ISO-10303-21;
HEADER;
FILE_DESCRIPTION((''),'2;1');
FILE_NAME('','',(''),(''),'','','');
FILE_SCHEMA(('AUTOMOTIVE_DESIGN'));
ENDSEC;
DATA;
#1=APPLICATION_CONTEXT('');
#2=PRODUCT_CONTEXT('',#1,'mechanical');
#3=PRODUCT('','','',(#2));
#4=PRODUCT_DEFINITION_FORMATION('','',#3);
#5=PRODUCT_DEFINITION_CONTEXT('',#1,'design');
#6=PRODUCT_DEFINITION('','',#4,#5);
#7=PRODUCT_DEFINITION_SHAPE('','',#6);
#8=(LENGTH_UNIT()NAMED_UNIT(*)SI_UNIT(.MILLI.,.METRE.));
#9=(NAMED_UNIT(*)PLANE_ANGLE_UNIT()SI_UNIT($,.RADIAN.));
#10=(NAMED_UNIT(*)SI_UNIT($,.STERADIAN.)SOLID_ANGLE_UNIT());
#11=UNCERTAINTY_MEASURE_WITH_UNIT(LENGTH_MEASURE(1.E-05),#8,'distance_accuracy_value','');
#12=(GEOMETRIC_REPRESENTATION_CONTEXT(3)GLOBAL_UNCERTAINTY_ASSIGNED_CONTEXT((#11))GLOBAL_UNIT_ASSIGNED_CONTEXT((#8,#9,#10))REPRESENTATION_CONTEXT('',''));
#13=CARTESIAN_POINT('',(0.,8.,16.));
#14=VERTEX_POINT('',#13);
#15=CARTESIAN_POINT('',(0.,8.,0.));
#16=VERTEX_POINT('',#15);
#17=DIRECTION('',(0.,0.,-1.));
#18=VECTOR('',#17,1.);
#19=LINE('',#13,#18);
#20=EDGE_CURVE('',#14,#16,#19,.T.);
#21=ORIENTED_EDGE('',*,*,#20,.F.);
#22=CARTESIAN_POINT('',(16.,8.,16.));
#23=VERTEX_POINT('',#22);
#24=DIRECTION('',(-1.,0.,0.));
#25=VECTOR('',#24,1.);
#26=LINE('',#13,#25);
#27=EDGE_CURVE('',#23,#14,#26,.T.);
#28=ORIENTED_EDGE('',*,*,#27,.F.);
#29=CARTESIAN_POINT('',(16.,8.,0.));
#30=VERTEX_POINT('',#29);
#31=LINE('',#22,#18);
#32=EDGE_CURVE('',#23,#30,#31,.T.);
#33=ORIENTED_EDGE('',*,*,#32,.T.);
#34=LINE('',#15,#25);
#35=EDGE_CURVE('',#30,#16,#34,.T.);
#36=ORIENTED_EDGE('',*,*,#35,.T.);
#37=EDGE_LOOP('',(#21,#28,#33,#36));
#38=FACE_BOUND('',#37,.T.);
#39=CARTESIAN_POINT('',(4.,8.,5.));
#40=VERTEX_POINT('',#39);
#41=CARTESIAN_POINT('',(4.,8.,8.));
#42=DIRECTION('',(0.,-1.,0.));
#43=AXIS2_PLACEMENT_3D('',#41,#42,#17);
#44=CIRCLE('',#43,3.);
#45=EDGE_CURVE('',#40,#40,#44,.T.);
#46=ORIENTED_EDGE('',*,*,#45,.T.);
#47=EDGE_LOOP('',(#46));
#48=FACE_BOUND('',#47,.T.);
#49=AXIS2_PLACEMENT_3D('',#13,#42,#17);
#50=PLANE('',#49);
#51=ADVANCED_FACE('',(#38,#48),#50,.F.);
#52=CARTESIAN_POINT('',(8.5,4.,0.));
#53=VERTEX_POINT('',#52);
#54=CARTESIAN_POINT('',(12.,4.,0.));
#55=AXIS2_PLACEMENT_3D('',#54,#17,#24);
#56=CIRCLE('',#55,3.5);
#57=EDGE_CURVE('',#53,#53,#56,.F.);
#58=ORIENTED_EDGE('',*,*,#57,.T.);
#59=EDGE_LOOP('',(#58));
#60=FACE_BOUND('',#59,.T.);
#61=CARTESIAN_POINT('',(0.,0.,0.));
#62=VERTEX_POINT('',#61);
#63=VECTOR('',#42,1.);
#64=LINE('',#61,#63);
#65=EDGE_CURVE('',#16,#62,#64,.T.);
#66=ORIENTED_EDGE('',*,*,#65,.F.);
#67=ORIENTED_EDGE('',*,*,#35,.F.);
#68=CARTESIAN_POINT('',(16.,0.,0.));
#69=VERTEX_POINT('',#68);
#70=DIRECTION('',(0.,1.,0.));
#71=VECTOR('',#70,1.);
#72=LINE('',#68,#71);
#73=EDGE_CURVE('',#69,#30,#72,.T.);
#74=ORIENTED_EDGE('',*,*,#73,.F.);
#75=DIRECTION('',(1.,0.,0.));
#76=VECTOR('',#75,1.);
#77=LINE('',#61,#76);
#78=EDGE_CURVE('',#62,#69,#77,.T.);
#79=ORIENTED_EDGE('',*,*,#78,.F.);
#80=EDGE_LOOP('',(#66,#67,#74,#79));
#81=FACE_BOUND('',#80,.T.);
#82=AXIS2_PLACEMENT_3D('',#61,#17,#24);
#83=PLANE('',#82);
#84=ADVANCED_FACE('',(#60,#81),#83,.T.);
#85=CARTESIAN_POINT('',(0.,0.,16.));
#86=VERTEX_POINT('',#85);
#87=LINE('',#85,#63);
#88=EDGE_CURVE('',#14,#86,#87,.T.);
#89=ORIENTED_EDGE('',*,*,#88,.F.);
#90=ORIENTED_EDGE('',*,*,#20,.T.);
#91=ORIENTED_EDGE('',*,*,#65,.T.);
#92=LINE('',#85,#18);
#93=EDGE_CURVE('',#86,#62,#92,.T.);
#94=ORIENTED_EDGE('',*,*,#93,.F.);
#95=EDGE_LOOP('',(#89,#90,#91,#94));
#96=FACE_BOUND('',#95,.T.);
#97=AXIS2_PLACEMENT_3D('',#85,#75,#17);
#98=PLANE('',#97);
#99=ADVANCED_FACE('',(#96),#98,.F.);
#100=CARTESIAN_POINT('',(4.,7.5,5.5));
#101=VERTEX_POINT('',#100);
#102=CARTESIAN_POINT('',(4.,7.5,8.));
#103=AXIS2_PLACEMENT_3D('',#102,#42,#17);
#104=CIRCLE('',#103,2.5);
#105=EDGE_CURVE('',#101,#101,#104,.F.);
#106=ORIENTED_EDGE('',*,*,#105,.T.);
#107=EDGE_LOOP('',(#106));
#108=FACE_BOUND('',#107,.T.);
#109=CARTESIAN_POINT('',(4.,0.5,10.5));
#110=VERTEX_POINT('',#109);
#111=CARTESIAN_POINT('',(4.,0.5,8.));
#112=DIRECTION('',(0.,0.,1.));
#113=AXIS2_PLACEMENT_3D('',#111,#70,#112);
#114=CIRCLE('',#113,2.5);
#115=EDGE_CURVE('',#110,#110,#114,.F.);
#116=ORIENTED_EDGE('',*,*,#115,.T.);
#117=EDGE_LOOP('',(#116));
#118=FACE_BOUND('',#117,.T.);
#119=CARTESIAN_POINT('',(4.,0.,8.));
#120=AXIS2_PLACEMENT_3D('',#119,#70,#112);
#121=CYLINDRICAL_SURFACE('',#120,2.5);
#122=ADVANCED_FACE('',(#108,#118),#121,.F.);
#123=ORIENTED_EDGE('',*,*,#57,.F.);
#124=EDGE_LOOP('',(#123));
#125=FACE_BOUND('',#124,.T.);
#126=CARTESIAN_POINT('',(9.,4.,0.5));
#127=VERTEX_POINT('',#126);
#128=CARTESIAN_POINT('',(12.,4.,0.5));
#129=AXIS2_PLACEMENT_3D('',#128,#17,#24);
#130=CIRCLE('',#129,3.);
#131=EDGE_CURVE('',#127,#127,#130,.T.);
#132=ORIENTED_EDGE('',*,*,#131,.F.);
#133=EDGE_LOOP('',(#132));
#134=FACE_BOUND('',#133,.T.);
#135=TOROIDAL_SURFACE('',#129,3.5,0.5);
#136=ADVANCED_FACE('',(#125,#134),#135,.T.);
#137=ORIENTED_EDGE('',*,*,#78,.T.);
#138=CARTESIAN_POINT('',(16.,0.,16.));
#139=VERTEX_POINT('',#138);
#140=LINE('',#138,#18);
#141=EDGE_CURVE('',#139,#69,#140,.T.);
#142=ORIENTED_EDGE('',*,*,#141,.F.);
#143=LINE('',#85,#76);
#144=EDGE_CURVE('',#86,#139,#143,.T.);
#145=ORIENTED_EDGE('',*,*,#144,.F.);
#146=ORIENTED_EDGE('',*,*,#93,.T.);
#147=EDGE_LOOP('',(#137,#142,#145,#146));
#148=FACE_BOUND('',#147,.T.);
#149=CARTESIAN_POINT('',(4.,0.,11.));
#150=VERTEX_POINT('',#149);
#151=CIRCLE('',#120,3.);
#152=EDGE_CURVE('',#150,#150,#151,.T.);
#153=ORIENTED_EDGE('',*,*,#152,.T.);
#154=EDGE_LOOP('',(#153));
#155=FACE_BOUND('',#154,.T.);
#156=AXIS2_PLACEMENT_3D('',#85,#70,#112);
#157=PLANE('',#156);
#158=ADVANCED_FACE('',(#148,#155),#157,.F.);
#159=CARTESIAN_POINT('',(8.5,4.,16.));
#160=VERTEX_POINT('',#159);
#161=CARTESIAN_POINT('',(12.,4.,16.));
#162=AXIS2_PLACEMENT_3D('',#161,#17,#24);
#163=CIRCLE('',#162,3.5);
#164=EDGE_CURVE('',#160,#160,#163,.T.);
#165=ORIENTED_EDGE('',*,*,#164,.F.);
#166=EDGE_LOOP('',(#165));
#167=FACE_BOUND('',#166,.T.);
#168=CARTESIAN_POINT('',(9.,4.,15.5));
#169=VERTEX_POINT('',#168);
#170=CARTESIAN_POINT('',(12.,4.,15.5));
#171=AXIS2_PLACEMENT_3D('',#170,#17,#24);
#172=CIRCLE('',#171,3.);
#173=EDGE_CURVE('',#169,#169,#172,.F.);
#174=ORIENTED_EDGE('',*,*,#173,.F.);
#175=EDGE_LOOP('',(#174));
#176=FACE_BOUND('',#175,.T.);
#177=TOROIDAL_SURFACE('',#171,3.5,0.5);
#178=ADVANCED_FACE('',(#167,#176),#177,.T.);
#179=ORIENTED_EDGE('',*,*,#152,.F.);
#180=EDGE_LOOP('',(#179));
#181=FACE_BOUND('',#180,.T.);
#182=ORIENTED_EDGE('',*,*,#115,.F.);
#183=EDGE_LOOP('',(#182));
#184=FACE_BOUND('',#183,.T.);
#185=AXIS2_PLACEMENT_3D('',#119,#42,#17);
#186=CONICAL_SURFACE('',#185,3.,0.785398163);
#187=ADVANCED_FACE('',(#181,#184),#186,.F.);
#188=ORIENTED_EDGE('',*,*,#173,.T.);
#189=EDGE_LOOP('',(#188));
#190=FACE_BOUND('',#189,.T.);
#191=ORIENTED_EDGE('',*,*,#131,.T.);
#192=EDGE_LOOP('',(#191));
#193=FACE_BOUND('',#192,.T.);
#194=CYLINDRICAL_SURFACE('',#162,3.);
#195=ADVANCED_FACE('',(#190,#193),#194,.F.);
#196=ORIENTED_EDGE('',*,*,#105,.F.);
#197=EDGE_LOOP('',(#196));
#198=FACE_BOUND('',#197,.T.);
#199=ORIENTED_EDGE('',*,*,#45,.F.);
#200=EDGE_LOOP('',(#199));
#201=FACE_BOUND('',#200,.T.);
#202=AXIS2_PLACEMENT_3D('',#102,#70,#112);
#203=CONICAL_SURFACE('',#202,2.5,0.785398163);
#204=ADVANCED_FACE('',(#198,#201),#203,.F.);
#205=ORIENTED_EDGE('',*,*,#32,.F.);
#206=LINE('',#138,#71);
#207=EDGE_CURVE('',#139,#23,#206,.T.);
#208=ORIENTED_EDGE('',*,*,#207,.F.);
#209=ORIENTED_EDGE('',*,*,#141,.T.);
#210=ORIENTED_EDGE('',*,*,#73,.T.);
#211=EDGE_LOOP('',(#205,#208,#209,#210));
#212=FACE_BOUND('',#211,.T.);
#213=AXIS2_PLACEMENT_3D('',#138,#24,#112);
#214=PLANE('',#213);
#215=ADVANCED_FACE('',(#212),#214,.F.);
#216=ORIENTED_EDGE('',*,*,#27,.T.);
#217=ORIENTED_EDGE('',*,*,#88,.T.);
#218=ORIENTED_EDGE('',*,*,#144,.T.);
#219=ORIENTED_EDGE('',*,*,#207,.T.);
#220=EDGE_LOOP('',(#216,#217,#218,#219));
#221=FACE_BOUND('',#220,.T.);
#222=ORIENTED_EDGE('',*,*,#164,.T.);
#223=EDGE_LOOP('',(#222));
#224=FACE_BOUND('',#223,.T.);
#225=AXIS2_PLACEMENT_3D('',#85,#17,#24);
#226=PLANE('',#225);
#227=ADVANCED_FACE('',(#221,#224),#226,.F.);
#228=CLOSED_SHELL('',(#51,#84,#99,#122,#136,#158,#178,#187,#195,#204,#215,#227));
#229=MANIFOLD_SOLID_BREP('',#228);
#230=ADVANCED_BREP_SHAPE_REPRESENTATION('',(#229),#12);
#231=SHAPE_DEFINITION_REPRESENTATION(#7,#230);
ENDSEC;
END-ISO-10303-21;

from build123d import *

# Parameters (mm, degrees)
ESQUISSE1_W             = 16
ESQUISSE1_H             = 8
ESQUISSE1_R             = 3
BOSS_EXTRU_1_DEPTH      = 16
ESQUISSE2_R             = 2.5
ENL_V_MAT_EXTRU_1_DEPTH = 9
CHANFREIN1_SIZE         = 0.5
CONG_1_R                = 0.5


with BuildPart() as part:
    # Esquisse1 → Boss.-Extru.1 (new body)
    with BuildSketch(Plane.XY):
        with Locations((8, 4)):
            Rectangle(ESQUISSE1_W, ESQUISSE1_H)
        with Locations((12, 4)):
            Circle(ESQUISSE1_R, mode=Mode.SUBTRACT)
    extrude(amount=BOSS_EXTRU_1_DEPTH)

    # Esquisse2 → Enlèv. mat.-Extru.1 (cut, through all)
    with BuildSketch(Plane(origin=(0, 8, 0), x_dir=(1, 0, 0), z_dir=(0, 1, 0))):
        with Locations((4, -8)):
            Circle(ESQUISSE2_R)
    extrude(amount=-ENL_V_MAT_EXTRU_1_DEPTH, mode=Mode.SUBTRACT)

    # Chanfrein1
    chanfrein1_edges = [part.edges().sort_by_distance(p)[0] for p in [
        (1.5, 0, 8),
        (1.5, 8, 8),
    ]]
    chamfer(chanfrein1_edges, length=CHANFREIN1_SIZE)

    # Congé1
    cong_1_edges = [part.edges().sort_by_distance(p)[0] for p in [
        (9, 4, 0),
        (9, 4, 16),
    ]]
    fillet(cong_1_edges, radius=CONG_1_R)


solid = part.part
